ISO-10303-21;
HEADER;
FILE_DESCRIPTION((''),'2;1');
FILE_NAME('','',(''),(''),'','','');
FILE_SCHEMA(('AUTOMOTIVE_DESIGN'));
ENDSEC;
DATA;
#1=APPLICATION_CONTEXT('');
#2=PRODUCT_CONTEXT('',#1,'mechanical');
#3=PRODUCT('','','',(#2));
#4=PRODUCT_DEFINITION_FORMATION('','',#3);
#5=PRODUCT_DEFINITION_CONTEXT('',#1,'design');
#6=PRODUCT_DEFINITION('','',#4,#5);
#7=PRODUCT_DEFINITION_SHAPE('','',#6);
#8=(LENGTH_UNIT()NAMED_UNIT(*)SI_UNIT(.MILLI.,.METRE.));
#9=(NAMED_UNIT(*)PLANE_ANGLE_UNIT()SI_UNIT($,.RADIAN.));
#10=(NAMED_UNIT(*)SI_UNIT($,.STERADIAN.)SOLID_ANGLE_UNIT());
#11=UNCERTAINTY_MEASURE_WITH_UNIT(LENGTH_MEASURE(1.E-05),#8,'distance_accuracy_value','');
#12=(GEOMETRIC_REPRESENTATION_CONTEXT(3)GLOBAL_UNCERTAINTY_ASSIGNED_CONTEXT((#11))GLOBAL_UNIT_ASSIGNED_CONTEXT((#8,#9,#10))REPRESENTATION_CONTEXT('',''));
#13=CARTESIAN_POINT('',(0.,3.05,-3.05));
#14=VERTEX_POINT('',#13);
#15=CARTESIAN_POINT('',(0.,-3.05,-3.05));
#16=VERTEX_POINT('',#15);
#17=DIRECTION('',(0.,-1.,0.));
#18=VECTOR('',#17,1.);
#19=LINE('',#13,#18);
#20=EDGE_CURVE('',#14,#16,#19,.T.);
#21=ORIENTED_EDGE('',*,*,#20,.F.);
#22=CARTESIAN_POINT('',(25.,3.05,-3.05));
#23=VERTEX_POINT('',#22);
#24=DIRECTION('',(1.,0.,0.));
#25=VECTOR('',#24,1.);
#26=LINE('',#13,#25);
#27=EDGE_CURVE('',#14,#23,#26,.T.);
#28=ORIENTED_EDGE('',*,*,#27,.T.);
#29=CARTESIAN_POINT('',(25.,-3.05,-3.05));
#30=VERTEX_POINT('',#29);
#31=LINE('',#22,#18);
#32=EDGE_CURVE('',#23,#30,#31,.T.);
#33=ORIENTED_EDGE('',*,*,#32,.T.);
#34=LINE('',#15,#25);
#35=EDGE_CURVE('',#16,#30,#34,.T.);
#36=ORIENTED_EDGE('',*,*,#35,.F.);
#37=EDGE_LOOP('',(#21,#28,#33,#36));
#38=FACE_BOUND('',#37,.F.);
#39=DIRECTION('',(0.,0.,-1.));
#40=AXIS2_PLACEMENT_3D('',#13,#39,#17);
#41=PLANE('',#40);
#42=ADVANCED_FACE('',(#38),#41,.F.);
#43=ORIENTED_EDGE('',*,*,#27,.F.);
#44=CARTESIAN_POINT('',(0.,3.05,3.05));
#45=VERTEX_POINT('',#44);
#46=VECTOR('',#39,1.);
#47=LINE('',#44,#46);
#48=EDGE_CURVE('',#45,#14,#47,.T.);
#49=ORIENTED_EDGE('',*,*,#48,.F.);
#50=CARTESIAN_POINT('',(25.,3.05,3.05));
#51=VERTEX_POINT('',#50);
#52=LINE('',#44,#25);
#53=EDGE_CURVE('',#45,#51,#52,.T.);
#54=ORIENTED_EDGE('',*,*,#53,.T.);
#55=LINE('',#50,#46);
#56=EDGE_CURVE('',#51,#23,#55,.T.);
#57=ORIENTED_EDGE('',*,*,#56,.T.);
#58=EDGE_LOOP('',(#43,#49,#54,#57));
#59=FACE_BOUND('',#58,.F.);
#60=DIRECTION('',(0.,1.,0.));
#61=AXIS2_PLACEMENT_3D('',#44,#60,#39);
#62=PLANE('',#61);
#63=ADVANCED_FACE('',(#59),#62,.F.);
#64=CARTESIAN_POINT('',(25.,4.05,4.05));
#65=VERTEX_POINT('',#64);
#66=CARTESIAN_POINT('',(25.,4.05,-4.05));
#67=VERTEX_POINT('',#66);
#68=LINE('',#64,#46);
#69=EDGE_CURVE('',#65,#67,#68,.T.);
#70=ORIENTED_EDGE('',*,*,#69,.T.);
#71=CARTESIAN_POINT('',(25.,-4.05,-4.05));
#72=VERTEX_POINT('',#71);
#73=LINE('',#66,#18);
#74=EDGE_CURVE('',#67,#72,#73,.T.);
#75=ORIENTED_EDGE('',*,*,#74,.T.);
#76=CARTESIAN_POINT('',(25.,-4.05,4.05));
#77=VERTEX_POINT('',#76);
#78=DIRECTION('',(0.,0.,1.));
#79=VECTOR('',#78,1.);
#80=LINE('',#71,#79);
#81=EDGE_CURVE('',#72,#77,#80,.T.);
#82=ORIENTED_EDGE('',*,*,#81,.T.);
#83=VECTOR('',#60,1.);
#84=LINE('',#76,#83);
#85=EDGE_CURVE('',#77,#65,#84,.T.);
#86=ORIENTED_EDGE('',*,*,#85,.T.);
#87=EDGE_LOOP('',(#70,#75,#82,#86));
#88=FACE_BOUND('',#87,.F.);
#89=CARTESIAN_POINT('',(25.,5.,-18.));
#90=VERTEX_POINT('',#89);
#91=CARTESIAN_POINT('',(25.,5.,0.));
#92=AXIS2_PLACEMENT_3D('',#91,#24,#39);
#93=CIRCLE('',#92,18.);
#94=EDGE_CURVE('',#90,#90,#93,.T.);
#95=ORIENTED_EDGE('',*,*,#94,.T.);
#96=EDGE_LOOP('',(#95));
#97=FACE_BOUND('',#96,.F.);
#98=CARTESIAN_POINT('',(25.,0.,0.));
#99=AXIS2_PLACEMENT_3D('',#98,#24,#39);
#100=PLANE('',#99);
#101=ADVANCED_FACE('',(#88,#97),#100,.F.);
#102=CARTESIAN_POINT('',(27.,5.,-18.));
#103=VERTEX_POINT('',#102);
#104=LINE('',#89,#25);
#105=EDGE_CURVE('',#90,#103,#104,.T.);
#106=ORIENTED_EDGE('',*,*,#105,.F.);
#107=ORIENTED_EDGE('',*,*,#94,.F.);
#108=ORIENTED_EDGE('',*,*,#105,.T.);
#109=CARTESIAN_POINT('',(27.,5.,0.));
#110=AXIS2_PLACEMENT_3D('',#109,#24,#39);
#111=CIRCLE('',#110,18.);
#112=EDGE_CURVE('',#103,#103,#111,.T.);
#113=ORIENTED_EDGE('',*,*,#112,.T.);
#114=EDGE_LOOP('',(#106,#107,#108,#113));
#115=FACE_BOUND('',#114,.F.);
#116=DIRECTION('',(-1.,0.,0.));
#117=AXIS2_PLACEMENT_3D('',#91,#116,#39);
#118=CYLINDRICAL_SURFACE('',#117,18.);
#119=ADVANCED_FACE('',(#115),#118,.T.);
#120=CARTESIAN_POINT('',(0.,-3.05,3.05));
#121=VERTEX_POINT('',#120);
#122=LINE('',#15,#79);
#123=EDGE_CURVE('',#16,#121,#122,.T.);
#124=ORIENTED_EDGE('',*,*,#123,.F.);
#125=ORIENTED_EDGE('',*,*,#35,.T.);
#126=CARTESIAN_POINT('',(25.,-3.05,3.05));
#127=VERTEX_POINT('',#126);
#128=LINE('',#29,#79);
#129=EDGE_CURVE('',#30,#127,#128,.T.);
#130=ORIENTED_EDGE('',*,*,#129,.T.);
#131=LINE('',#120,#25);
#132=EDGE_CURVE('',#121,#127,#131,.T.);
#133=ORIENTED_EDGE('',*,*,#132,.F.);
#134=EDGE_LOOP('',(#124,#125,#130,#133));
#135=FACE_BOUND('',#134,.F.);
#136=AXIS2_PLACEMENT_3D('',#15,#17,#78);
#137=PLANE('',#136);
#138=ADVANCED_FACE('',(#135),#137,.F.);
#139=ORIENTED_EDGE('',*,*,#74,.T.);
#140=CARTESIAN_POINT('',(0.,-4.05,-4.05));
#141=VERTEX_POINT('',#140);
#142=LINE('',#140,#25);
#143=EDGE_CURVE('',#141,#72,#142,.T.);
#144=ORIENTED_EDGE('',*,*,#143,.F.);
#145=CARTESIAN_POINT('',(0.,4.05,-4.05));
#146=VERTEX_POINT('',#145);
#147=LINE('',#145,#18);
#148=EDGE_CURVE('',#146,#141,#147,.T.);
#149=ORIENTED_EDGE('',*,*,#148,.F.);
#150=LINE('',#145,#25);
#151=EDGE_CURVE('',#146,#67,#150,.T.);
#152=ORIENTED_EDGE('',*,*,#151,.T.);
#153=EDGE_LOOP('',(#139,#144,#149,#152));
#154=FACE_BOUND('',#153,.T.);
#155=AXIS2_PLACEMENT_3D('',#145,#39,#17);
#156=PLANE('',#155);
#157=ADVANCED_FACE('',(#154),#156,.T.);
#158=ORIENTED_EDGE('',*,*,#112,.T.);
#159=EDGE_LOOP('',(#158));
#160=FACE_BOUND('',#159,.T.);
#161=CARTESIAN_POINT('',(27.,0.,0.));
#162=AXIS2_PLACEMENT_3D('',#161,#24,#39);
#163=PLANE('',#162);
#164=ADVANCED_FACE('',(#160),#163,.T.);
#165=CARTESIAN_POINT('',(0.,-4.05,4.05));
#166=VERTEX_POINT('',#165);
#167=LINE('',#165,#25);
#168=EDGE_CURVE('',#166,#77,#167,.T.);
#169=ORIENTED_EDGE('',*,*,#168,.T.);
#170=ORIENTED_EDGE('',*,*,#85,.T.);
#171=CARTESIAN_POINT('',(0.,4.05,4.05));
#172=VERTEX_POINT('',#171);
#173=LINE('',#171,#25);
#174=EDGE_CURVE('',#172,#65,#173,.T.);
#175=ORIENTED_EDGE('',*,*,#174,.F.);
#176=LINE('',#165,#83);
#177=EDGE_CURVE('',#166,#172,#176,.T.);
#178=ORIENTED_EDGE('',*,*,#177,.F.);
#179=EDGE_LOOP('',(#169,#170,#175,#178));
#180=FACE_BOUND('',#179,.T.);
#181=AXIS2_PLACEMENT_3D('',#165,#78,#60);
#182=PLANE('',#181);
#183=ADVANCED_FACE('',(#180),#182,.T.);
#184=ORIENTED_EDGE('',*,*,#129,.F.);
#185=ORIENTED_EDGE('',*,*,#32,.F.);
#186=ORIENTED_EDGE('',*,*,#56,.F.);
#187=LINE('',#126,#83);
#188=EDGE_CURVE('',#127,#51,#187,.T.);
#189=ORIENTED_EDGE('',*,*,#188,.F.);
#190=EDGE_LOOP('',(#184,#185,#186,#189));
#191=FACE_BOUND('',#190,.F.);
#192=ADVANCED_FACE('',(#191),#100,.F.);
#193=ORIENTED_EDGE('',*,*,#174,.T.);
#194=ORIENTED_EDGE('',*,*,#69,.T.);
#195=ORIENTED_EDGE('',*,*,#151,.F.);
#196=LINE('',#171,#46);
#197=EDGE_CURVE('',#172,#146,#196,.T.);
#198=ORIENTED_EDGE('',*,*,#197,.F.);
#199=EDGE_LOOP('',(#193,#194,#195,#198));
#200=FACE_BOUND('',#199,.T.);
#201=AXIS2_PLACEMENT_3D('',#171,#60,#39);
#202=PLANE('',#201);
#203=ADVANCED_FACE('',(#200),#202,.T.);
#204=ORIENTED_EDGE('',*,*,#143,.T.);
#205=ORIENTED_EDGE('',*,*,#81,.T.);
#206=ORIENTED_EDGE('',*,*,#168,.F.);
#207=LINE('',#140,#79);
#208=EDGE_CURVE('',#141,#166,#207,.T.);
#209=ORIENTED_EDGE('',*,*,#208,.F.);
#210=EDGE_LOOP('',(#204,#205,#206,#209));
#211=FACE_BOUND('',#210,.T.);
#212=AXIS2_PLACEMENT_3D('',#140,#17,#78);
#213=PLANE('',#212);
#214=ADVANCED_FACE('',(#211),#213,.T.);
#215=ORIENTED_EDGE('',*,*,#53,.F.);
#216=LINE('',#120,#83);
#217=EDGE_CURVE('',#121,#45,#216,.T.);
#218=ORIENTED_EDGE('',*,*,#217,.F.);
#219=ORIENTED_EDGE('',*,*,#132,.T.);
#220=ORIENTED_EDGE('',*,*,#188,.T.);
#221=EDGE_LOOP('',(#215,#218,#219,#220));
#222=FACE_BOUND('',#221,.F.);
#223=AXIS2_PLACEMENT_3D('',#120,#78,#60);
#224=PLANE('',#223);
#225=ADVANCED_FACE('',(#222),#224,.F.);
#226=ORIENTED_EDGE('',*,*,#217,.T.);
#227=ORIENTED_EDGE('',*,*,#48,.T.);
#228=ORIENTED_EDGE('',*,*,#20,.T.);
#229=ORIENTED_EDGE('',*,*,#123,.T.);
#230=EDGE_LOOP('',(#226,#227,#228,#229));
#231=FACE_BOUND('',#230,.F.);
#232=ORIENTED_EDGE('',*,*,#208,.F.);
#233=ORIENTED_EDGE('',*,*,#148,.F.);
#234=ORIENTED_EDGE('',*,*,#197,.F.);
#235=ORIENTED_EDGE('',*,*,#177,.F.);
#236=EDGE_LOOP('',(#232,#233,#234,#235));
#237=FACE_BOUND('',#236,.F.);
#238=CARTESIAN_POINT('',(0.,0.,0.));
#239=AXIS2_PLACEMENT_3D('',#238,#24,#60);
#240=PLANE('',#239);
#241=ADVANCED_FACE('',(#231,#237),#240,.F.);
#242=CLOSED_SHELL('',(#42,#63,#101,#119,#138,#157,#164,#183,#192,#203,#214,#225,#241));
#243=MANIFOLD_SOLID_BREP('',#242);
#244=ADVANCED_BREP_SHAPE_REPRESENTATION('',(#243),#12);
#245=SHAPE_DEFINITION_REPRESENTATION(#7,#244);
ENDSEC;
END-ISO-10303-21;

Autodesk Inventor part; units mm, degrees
ref_plane "YZ Plane" through (0, 0, 0) normal (1, 0, 0) x (0, 1, 0)
ref_plane "XZ Plane" through (0, 0, 0) normal (0, 1, 0) x (-1, 0, 0)
ref_plane "XY Plane" through (0, 0, 0) normal (0, 0, 1) x (1, 0, 0)
sketch "Sketch3" plane through (0, 0, 0) normal (1, 0, 0) x (0, 1, 0)
  line L0 (3.05, -3.05) -> (-3.05, -3.05)
  line L1 (-3.05, -3.05) -> (-3.05, 3.05)
  line L2 (-3.05, 3.05) -> (3.05, 3.05)
  line L3 (3.05, 3.05) -> (3.05, -3.05)
  line L4 (3.05, -3.05) -> (-3.05, 3.05) construction
  line L5 (-3.05, -3.05) -> (3.05, 3.05) construction
  line L6 (4.05, -4.05) -> (-4.05, -4.05)
  line L7 (-4.05, -4.05) -> (-4.05, 4.05)
  line L8 (-4.05, 4.05) -> (4.05, 4.05)
  line L9 (4.05, 4.05) -> (4.05, -4.05)
  line L10 (4.05, -4.05) -> (-4.05, 4.05) construction
  line L11 (-4.05, -4.05) -> (4.05, 4.05) construction
  point P0 (0, 0)
  point P1 (0, 0)
  point P2 (0, 0)
  dimension "d38" = 8.1
  dimension "d39" = 8.1
  dimension "d40" = 6.1
  dimension "d41" = 6.1
extrude "Extrusion2" add sketch "Sketch3" along normal blind 25
sketch "Sketch9" plane through (25, 0, 0) normal (1, 0, 0) x (0, 0, -1)
  line L0 (-4.05, 4.05) -> (-4.05, -4.05) projected
  line L1 (-4.05, -4.05) -> (4.05, -4.05) projected
  line L2 (4.05, -4.05) -> (4.05, 4.05) projected
  line L3 (4.05, 4.05) -> (-4.05, 4.05) projected
  line L4 (3.05, 3.05) -> (3.05, -3.05) projected
  line L5 (3.05, -3.05) -> (-3.05, -3.05) projected
  line L6 (-3.05, -3.05) -> (-3.05, 3.05) projected
  line L7 (-3.05, 3.05) -> (3.05, 3.05) projected
  circle A0 centre (0, 5) radius 18
  line L8 (0, 0) -> (0, 9.371) construction
  dimension "d42" = 5
  dimension "d45" = 36
extrude "Extrusion6" add sketch "Sketch9" along normal blind 2 contours L3 L2 L1 L0 | L4 L5 L6 L7 | A0
equation "\"d39\" = d38"
properties part number "propellor_fuselage_interface" material "Nylon 6/6"
